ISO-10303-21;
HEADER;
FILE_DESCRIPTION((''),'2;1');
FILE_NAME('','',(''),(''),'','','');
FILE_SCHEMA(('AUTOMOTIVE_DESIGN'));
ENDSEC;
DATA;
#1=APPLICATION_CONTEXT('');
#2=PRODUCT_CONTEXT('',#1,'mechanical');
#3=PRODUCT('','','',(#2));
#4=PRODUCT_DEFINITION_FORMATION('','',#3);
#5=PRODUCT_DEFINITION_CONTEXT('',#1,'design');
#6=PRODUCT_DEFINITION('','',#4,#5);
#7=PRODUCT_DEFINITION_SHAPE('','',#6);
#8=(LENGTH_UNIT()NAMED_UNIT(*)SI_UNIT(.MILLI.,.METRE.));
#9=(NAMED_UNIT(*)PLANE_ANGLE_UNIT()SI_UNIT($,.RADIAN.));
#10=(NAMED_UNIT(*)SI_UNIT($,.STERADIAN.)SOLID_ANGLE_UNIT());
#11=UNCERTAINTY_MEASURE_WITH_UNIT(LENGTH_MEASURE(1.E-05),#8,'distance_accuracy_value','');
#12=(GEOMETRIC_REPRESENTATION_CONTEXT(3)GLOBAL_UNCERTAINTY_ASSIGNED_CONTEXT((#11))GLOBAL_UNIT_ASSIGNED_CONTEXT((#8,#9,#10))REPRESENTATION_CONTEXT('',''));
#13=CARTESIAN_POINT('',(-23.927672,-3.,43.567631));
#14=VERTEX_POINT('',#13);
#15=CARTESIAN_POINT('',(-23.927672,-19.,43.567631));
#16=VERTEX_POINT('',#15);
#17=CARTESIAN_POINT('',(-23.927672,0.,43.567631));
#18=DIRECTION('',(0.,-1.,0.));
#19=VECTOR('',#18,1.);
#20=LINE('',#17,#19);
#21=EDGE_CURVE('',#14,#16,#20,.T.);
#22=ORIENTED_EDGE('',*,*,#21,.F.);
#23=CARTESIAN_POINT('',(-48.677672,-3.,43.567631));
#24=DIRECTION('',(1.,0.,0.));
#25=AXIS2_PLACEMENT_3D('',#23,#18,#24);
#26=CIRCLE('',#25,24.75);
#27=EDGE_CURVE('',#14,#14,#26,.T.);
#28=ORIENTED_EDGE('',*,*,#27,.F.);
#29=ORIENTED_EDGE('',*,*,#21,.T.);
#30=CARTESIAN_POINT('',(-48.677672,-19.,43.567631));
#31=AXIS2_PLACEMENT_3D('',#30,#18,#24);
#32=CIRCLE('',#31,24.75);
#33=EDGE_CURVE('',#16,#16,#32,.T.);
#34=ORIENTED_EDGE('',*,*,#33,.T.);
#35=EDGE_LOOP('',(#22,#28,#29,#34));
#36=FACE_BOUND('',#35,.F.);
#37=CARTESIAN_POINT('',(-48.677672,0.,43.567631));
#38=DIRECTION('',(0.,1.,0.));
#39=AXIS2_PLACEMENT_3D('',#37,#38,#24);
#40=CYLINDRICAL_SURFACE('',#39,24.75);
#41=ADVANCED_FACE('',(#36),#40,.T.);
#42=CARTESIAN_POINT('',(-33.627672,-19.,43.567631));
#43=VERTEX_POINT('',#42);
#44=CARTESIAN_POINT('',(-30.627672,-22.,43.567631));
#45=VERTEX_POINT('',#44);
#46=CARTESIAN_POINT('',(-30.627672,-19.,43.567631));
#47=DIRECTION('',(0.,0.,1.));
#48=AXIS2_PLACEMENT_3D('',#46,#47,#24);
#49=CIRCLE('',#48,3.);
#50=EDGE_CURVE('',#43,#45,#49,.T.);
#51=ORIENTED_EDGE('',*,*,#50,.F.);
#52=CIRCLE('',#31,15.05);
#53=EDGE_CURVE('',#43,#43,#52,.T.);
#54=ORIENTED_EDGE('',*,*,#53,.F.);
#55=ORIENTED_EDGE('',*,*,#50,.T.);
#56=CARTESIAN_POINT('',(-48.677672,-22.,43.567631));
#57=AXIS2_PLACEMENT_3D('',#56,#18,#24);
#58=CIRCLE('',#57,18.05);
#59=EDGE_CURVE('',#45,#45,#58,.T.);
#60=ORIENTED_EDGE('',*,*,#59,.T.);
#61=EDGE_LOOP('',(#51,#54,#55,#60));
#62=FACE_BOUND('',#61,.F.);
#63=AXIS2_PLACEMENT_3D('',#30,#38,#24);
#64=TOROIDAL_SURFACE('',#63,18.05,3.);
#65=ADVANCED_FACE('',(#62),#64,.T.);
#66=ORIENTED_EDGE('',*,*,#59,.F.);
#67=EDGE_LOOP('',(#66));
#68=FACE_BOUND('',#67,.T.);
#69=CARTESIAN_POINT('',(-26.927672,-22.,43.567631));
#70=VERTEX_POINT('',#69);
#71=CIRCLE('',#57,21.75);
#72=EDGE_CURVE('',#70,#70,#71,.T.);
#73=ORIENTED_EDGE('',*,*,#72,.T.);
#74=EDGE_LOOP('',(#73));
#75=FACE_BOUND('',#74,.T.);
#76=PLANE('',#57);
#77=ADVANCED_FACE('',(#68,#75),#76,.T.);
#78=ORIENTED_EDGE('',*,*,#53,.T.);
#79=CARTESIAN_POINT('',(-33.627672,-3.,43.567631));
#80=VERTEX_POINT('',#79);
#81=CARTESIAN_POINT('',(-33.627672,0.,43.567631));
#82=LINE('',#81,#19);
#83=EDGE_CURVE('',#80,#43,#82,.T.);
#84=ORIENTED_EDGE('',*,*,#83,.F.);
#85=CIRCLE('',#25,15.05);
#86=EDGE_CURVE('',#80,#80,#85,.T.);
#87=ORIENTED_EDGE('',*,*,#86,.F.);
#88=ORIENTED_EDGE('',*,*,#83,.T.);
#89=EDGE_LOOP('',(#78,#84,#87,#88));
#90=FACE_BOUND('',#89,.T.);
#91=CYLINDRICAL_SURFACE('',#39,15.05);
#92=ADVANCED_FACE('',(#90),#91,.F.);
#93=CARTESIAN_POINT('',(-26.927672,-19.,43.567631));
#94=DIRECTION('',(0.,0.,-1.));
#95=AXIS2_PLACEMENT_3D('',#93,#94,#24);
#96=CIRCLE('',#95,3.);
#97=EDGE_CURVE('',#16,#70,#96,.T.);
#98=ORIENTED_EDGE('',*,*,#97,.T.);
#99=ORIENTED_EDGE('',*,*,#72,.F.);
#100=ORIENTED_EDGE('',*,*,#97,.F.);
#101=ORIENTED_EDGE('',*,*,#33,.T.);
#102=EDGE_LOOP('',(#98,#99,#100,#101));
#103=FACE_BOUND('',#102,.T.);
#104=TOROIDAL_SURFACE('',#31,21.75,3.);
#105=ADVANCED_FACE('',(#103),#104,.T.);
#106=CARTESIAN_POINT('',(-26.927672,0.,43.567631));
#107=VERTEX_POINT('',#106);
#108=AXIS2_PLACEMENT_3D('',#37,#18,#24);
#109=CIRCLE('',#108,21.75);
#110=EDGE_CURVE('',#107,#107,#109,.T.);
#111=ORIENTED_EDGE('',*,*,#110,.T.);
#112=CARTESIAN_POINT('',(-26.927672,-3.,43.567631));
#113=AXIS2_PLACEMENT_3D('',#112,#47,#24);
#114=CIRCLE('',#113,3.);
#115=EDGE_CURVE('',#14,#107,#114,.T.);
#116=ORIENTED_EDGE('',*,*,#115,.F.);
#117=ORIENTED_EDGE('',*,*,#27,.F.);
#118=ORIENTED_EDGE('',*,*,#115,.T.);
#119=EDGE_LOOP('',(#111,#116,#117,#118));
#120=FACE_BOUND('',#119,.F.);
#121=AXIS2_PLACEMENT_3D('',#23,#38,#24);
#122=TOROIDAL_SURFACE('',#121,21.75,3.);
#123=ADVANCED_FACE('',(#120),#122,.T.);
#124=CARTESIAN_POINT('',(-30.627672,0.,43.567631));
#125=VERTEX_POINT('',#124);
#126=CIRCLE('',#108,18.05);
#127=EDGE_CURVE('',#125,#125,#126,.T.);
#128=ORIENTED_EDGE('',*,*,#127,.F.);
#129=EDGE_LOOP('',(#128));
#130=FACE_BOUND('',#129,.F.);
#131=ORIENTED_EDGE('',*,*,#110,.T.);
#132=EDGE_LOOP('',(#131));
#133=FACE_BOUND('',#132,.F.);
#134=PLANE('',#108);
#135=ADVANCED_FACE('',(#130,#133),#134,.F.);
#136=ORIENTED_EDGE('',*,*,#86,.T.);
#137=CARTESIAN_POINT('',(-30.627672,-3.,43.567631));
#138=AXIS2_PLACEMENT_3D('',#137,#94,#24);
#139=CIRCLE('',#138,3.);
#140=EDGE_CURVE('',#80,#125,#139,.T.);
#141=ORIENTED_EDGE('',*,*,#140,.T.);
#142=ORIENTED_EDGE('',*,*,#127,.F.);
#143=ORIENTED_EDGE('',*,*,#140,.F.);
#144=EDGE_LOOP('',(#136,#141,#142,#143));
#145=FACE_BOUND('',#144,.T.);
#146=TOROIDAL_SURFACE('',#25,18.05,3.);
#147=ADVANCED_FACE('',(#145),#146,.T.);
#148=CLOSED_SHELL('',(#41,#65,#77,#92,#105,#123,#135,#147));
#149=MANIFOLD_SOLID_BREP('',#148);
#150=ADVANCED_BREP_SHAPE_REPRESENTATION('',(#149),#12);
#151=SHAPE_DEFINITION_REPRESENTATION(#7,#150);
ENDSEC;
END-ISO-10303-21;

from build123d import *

# Parameters (mm, degrees)
F0_R     = 24.75
F0_R_2   = 15.05
F1_DEPTH = 22
F2_R     = 3


with BuildPart() as f1:
    # F0 (on Front) → F1 (new body)
    with BuildSketch(Plane.XZ):
        with Locations((-48.677672, 43.567631)):
            Circle(F0_R)
        with Locations((-48.677672, 43.567631)):
            Circle(F0_R_2, mode=Mode.SUBTRACT)
    extrude(amount=F1_DEPTH)

    # F2
    f2_edges = [f1.edges().sort_by_distance(p)[0] for p in [
        (-73.427672, -22, 43.567631),
        (-73.427672, 0, 43.567631),
        (-63.727672, -22, 43.567631),
        (-63.727672, 0, 43.567631),
    ]]
    fillet(f2_edges, radius=F2_R)


solid = f1.part
